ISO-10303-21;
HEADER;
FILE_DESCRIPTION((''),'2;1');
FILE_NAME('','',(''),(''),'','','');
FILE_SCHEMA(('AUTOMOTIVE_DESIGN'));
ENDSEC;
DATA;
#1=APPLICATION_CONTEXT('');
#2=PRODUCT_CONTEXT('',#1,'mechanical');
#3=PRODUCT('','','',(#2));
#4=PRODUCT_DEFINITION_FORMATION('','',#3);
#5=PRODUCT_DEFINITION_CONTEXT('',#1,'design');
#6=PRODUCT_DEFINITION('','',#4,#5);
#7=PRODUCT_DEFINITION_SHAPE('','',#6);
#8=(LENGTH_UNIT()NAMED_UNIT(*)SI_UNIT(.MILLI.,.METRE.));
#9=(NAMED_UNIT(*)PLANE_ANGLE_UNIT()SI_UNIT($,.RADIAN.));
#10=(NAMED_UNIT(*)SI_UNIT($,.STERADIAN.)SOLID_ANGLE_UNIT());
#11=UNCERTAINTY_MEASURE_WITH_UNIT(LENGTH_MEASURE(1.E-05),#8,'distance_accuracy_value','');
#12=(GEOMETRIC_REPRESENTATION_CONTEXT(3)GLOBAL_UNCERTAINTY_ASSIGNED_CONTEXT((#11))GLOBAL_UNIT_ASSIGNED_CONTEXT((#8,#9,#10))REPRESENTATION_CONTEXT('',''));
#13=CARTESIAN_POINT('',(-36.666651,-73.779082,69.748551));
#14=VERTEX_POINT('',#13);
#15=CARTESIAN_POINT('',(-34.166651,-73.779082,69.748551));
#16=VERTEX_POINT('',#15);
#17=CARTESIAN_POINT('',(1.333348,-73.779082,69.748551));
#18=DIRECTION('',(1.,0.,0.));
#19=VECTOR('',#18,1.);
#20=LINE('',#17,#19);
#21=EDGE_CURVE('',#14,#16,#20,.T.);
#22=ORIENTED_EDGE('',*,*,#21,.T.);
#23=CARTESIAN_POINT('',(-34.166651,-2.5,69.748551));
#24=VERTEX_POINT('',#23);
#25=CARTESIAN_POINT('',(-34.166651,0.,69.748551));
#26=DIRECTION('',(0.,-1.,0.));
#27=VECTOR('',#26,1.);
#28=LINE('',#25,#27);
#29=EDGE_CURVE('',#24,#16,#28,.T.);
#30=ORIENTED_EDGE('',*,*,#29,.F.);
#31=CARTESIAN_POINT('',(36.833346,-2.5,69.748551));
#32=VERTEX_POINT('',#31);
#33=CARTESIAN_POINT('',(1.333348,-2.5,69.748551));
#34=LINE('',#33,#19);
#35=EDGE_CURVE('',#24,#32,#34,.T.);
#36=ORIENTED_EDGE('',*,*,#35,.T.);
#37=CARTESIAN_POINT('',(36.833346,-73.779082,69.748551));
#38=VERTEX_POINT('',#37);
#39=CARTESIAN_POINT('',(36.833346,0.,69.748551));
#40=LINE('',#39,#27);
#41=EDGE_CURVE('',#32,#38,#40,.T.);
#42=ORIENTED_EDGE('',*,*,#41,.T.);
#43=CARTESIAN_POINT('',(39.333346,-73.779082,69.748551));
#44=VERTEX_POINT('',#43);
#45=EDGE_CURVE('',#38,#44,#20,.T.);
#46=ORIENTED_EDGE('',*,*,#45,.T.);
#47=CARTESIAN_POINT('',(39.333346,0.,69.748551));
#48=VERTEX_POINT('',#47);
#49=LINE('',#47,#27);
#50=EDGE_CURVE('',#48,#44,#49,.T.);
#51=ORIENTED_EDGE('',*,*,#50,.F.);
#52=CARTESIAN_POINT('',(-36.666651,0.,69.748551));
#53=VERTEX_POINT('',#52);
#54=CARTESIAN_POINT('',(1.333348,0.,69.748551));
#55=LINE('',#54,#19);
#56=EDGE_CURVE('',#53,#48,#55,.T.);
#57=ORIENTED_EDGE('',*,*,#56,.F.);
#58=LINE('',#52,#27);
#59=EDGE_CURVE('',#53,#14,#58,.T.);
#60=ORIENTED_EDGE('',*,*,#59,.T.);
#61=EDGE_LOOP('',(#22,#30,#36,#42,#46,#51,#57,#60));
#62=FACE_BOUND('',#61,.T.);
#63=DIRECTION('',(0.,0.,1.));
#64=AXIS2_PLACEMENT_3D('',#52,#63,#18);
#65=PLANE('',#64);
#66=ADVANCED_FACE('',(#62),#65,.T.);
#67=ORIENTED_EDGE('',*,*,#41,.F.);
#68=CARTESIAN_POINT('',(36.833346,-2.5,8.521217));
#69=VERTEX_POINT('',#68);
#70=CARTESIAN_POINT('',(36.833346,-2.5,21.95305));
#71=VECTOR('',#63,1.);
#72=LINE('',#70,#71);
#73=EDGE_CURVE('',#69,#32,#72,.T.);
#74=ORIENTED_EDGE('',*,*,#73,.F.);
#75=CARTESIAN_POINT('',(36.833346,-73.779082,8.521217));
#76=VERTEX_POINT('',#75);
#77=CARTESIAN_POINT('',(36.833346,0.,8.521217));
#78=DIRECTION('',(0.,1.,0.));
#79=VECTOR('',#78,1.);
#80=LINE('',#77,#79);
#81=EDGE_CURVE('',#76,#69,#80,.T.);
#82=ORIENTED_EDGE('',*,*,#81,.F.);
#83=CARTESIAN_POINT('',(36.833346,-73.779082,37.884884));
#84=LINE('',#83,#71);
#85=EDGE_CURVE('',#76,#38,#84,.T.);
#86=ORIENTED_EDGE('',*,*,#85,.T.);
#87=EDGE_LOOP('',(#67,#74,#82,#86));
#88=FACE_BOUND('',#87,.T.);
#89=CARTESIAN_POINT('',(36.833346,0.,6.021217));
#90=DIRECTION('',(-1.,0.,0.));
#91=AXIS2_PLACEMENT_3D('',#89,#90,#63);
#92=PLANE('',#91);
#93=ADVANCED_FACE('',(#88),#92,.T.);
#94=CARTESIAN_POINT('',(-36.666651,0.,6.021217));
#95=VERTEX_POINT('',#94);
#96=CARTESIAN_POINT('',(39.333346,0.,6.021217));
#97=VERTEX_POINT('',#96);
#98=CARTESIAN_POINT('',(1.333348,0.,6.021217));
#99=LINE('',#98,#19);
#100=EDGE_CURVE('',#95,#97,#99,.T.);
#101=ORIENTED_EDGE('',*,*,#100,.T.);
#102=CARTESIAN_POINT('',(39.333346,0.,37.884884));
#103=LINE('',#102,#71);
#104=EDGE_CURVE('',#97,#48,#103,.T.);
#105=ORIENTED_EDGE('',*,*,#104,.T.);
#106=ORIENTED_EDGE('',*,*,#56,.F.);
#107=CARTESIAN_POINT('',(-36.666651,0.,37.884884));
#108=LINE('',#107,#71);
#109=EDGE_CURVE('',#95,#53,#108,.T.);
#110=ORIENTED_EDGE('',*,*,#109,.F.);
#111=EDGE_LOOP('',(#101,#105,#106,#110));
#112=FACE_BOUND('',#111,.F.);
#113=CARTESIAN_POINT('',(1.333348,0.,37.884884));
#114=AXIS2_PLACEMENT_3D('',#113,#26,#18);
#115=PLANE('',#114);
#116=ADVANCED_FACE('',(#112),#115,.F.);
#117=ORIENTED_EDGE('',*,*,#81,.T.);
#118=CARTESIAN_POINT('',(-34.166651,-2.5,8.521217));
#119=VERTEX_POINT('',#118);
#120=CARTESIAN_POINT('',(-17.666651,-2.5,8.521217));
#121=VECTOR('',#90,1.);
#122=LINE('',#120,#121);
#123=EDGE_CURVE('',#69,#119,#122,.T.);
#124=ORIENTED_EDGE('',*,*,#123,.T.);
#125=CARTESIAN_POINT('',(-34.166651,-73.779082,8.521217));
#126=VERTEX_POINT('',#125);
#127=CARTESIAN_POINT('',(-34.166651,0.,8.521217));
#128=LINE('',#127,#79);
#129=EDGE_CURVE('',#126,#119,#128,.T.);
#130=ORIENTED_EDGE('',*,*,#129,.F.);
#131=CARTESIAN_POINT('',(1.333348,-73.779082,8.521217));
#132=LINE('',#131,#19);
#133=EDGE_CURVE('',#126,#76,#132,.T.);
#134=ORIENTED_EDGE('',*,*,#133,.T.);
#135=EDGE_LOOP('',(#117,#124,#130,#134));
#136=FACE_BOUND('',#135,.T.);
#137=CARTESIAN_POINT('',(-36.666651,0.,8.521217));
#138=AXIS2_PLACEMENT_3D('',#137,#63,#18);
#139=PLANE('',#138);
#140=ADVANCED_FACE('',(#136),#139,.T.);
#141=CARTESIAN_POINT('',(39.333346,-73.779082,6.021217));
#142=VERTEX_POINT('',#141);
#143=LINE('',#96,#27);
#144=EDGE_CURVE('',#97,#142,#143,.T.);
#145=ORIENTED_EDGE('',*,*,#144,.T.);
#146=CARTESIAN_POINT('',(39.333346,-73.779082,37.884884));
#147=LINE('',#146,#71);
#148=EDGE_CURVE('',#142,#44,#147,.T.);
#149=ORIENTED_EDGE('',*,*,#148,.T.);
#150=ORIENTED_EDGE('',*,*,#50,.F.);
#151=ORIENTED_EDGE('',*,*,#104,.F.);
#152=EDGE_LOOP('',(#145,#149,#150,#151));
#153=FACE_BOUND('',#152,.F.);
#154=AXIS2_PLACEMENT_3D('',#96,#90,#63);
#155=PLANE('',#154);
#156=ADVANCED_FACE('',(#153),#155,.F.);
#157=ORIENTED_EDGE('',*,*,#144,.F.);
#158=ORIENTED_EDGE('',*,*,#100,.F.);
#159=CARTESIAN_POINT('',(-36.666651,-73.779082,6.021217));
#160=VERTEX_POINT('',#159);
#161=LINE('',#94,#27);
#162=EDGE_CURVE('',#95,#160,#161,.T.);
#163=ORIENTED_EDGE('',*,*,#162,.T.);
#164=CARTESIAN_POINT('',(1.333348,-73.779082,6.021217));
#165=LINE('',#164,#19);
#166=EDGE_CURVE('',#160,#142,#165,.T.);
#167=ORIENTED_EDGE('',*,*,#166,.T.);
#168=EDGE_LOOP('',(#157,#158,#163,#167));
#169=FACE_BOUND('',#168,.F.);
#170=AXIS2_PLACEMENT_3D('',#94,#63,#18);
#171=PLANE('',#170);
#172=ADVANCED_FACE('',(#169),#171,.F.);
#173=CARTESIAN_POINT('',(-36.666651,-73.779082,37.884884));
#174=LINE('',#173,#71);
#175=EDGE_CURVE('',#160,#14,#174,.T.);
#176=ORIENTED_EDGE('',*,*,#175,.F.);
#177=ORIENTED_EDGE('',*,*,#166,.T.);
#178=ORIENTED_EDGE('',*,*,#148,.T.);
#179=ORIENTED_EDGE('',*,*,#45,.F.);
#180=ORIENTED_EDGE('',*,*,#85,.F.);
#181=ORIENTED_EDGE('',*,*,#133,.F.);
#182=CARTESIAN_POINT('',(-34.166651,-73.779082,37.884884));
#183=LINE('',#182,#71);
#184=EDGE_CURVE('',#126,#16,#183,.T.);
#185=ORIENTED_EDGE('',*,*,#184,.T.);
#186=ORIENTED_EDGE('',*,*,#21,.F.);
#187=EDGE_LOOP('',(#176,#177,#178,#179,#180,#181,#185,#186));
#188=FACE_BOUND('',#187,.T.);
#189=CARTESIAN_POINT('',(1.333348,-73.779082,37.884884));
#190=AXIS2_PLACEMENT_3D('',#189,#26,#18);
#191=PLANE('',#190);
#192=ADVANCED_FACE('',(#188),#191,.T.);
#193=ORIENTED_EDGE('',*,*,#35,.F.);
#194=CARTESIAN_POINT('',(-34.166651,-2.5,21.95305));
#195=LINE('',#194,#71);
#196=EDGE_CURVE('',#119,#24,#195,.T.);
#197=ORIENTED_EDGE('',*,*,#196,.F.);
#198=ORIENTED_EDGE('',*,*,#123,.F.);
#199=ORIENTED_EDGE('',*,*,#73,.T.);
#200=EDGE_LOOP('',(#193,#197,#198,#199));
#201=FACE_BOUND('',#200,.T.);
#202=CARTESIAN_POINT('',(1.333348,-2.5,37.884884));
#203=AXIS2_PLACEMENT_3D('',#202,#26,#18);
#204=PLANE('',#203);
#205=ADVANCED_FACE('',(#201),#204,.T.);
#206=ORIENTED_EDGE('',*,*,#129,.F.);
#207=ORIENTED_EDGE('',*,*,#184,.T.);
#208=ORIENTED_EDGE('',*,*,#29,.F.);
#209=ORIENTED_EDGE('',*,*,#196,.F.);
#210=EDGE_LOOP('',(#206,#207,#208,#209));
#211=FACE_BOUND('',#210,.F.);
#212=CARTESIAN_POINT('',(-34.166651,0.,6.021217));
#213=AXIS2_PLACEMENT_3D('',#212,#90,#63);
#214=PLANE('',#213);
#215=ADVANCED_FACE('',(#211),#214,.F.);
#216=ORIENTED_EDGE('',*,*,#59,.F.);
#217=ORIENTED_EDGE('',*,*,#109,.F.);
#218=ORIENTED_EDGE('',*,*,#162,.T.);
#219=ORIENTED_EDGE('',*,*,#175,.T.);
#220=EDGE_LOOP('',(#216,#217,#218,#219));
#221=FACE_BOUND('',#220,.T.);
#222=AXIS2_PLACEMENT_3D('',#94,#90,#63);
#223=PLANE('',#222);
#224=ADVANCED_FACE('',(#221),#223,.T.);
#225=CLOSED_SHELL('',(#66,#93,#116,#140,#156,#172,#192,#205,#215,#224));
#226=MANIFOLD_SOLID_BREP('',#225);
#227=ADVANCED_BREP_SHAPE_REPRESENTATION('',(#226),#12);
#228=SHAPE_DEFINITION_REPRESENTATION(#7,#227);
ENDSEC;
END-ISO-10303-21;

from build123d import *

# Parameters (mm, degrees)
F0_W     = 75.999997
F0_H     = 63.727334
F1_DEPTH = 73.779082
F2_T     = -2.5


with BuildPart() as f1:
    # F0 (on Front) → F1 (new body)
    with BuildSketch(Plane.XZ):
        with Locations((1.333348, 37.884884)):
            Rectangle(F0_W, F0_H)
    extrude(amount=F1_DEPTH)

    # F2
    f2_openings = [f1.faces().sort_by_distance(p)[0] for p in [
        (1.333348, -73.779082, 37.884884),
        (1.333348, -36.889541, 69.748551),
    ]]
    offset(amount=F2_T, openings=f2_openings)


solid = f1.part
